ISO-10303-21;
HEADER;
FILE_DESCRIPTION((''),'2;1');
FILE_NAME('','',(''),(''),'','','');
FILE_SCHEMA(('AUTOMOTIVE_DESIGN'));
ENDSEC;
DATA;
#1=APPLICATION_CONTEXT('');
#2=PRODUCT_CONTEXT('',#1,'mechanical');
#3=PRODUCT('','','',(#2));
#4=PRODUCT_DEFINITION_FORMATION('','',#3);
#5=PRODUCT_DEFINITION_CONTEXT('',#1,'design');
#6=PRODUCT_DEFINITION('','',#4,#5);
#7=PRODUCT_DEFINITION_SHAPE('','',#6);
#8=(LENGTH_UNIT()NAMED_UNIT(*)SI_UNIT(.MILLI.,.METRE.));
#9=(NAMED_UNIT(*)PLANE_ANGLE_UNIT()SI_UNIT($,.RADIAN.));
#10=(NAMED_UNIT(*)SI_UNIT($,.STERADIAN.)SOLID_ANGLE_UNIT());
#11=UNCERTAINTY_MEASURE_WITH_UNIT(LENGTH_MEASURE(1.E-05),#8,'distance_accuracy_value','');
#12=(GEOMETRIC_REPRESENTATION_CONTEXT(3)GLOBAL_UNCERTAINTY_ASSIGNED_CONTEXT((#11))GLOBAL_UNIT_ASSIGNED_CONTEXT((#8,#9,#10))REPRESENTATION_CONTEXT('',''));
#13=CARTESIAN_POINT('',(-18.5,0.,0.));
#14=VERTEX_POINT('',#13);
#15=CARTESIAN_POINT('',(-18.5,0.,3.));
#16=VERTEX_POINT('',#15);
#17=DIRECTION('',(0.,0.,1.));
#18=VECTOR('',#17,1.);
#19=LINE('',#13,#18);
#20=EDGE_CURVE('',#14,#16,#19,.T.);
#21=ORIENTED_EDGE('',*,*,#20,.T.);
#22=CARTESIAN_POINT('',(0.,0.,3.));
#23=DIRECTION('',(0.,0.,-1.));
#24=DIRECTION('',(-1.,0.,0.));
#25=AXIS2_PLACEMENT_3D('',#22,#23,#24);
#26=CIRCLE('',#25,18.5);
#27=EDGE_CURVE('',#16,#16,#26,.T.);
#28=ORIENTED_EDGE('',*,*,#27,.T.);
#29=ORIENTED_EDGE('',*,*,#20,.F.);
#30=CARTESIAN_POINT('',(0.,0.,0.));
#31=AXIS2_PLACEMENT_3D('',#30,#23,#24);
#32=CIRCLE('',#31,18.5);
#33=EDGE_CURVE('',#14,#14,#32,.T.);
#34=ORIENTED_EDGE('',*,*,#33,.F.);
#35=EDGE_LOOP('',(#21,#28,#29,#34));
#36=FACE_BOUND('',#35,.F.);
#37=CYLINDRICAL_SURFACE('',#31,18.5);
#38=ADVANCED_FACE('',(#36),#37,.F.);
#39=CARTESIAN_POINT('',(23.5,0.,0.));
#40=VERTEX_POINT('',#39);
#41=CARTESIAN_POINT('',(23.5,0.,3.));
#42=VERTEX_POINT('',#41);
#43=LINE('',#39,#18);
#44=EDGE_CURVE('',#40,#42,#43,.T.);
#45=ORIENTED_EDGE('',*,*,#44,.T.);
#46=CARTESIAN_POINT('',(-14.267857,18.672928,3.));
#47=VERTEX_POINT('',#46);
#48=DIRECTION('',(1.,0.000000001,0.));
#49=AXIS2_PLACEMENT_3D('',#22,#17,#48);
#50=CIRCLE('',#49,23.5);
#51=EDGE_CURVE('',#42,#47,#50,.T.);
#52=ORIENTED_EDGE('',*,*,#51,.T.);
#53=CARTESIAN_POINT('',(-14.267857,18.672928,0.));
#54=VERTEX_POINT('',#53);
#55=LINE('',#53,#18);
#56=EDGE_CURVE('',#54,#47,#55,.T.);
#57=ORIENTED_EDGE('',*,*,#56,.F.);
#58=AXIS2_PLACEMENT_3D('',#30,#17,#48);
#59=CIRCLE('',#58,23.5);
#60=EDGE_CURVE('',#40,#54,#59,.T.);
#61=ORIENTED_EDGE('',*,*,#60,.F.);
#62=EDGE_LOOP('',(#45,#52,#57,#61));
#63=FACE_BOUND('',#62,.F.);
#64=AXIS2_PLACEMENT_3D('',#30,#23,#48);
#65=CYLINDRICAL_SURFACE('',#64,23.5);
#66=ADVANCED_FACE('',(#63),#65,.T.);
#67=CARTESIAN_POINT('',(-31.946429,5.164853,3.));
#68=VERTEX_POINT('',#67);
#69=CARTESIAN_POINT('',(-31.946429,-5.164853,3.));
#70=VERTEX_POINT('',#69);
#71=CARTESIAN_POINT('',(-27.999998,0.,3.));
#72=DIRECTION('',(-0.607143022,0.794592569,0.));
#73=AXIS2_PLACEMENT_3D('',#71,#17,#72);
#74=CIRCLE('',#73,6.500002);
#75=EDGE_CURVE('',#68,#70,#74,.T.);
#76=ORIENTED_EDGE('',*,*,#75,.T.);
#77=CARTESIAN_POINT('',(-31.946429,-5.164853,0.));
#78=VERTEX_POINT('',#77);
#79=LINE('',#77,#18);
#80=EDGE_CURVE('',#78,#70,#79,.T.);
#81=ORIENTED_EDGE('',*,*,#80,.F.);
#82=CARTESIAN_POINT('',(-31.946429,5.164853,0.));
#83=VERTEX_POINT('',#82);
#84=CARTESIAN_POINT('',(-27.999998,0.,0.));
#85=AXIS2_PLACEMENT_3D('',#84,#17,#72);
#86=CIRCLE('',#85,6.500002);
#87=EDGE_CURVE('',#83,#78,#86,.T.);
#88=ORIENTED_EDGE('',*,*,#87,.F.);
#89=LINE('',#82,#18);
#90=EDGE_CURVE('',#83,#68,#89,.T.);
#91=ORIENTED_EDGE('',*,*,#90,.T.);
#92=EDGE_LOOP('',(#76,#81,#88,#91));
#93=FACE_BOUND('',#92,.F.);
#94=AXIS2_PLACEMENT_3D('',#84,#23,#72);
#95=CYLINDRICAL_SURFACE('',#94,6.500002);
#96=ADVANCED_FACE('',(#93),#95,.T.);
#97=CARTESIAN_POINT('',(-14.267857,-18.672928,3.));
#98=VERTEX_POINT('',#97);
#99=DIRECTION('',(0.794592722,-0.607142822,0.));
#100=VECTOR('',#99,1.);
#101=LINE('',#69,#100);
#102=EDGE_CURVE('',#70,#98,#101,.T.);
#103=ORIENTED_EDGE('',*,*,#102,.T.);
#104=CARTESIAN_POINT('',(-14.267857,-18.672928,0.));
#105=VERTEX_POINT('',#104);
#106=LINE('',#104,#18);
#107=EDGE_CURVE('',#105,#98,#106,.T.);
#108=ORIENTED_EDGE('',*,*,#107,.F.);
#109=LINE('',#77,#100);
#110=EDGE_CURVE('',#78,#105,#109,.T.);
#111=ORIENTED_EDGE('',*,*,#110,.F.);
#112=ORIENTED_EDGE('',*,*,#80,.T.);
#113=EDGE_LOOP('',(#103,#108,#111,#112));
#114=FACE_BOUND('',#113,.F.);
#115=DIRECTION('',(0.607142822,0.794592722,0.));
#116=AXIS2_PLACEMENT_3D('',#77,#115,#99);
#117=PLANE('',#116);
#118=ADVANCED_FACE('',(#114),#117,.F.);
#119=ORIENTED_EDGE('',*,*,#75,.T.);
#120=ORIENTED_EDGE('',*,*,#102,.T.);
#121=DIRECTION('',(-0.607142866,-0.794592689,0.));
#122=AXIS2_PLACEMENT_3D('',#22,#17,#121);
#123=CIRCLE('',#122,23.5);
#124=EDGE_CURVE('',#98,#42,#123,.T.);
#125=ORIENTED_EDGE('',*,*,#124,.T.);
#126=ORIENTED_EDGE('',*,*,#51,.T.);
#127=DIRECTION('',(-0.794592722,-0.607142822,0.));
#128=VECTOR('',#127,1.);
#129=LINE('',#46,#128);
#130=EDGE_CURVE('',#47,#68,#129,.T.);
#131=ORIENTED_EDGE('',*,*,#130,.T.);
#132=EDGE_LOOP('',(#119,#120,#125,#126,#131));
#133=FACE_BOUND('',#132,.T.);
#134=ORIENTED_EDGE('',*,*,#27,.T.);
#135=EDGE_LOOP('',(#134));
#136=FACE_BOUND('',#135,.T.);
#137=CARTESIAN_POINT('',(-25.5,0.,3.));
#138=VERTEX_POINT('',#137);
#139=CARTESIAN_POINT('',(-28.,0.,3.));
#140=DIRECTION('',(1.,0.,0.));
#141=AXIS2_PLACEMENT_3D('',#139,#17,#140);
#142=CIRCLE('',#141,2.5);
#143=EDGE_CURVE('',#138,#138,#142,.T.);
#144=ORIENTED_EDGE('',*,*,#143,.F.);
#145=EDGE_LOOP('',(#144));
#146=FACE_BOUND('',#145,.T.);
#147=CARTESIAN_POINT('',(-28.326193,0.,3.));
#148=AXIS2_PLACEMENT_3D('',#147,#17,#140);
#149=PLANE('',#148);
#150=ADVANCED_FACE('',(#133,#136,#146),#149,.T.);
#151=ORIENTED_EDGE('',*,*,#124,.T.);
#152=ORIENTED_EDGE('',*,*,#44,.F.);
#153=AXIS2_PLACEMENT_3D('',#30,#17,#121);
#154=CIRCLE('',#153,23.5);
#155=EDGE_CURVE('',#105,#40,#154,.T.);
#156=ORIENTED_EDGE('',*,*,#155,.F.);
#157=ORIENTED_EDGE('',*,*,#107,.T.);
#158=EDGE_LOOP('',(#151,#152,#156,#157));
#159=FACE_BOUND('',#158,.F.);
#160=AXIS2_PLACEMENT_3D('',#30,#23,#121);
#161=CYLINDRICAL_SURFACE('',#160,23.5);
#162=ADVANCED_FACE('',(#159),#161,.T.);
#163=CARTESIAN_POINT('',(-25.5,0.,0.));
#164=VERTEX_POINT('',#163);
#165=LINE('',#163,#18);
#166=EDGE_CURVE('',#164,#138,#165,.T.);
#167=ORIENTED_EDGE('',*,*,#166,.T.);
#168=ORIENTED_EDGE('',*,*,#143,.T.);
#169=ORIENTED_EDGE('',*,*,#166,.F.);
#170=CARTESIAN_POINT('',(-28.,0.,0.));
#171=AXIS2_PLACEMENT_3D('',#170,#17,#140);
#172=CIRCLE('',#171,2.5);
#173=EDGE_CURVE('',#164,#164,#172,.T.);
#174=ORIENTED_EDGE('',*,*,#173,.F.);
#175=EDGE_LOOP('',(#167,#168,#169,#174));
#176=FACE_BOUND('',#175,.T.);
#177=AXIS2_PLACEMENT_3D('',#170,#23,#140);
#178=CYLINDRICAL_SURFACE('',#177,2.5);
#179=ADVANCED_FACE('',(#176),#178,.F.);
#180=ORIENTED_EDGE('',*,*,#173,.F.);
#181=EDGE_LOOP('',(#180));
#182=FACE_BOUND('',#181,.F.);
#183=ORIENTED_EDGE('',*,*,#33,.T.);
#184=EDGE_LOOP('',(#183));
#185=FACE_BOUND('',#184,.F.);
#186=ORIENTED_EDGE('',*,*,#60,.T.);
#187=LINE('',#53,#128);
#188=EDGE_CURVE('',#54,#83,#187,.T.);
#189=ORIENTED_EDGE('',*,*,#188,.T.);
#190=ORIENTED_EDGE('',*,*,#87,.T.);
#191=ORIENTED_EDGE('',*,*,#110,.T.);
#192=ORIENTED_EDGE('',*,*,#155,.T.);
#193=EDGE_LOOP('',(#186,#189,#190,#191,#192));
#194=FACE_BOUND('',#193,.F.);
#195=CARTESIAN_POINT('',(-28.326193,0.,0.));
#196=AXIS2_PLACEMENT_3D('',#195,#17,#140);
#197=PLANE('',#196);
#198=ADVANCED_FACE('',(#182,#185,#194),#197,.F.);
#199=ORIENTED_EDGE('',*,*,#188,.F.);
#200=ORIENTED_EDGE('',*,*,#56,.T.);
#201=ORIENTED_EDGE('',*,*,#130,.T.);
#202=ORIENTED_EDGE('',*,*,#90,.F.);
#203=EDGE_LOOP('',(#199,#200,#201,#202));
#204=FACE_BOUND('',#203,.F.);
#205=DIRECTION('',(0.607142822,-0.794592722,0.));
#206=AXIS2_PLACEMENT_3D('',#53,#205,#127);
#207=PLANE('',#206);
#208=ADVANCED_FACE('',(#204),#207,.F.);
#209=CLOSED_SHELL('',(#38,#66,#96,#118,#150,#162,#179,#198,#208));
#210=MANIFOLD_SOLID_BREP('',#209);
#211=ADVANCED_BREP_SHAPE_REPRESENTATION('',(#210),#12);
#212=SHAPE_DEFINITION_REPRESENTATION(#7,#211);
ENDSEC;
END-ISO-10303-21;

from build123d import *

# Parameters (mm, degrees)
F0_R     = 2.5
F1_DEPTH = 3


with BuildPart() as f1:
    # F0 (on Top) → F1 (new body)
    with BuildSketch(Plane.XY):
        with BuildLine():
            ThreePointArc((-23.5, 0), (-23.40158, 2.148504), (-23.107143, 4.279013))
            ThreePointArc((-23.107143, 4.279013), (-27.351841, 6.467603), (-31.946429, 5.164853))
            ThreePointArc((-31.946429, 5.164853), (-34.5, 0), (-31.946429, -5.164853))
            ThreePointArc((-31.946429, -5.164853), (-27.351841, -6.467603), (-23.107143, -4.279013))
            ThreePointArc((-23.107143, -4.279013), (-23.40158, -2.148504), (-23.5, 0))
        make_face()
        with Locations((-28, 0)):
            Circle(F0_R, mode=Mode.SUBTRACT)
        with BuildLine():
            ThreePointArc((-23.107143, 4.279013), (-20.025455, 12.297607), (-14.267857, 18.672928))
            Line((-14.267857, 18.672928), (-31.946429, 5.164853))
            ThreePointArc((-31.946429, 5.164853), (-27.351841, 6.467603), (-23.107143, 4.279013))
        make_face()
        with BuildLine():
            Line((-31.946429, -5.164853), (-14.267857, -18.672928))
            ThreePointArc((-14.267857, -18.672928), (-20.025455, -12.297607), (-23.107143, -4.279013))
            ThreePointArc((-23.107143, -4.279013), (-27.351841, -6.467603), (-31.946429, -5.164853))
        make_face()
        with BuildLine():
            ThreePointArc((-21.5, 0), (-21.915036, 2.285435), (-23.107143, 4.279013))
            ThreePointArc((-23.107143, 4.279013), (-23.40158, 2.148504), (-23.5, 0))
            Line((-23.5, 0), (-21.5, 0))
        make_face()
        with BuildLine():
            ThreePointArc((-23.5, 0), (-23.40158, -2.148504), (-23.107143, -4.279013))
            ThreePointArc((-23.107143, -4.279013), (-21.915036, -2.285435), (-21.5, 0))
            Line((-21.5, 0), (-23.5, 0))
        make_face()
        with BuildLine():
            ThreePointArc((-14.267857, -18.672928), (10.415262, -21.065904), (23.5, 0))
            ThreePointArc((23.5, 0), (10.415262, 21.065904), (-14.267857, 18.672928))
            ThreePointArc((-14.267857, 18.672928), (-20.025455, 12.297607), (-23.107143, 4.279013))
            ThreePointArc((-23.107143, 4.279013), (-21.915036, 2.285435), (-21.5, 0))
            ThreePointArc((-21.5, 0), (-21.915036, -2.285435), (-23.107143, -4.279013))
            ThreePointArc((-23.107143, -4.279013), (-20.025455, -12.297607), (-14.267857, -18.672928))
        make_face()
        with BuildLine():
            ThreePointArc((18.5, 0), (0, -18.5), (-18.5, 0))
            ThreePointArc((-18.5, 0), (0, 18.5), (18.5, 0))
        make_face(mode=Mode.SUBTRACT)
    extrude(amount=F1_DEPTH)


solid = f1.part
